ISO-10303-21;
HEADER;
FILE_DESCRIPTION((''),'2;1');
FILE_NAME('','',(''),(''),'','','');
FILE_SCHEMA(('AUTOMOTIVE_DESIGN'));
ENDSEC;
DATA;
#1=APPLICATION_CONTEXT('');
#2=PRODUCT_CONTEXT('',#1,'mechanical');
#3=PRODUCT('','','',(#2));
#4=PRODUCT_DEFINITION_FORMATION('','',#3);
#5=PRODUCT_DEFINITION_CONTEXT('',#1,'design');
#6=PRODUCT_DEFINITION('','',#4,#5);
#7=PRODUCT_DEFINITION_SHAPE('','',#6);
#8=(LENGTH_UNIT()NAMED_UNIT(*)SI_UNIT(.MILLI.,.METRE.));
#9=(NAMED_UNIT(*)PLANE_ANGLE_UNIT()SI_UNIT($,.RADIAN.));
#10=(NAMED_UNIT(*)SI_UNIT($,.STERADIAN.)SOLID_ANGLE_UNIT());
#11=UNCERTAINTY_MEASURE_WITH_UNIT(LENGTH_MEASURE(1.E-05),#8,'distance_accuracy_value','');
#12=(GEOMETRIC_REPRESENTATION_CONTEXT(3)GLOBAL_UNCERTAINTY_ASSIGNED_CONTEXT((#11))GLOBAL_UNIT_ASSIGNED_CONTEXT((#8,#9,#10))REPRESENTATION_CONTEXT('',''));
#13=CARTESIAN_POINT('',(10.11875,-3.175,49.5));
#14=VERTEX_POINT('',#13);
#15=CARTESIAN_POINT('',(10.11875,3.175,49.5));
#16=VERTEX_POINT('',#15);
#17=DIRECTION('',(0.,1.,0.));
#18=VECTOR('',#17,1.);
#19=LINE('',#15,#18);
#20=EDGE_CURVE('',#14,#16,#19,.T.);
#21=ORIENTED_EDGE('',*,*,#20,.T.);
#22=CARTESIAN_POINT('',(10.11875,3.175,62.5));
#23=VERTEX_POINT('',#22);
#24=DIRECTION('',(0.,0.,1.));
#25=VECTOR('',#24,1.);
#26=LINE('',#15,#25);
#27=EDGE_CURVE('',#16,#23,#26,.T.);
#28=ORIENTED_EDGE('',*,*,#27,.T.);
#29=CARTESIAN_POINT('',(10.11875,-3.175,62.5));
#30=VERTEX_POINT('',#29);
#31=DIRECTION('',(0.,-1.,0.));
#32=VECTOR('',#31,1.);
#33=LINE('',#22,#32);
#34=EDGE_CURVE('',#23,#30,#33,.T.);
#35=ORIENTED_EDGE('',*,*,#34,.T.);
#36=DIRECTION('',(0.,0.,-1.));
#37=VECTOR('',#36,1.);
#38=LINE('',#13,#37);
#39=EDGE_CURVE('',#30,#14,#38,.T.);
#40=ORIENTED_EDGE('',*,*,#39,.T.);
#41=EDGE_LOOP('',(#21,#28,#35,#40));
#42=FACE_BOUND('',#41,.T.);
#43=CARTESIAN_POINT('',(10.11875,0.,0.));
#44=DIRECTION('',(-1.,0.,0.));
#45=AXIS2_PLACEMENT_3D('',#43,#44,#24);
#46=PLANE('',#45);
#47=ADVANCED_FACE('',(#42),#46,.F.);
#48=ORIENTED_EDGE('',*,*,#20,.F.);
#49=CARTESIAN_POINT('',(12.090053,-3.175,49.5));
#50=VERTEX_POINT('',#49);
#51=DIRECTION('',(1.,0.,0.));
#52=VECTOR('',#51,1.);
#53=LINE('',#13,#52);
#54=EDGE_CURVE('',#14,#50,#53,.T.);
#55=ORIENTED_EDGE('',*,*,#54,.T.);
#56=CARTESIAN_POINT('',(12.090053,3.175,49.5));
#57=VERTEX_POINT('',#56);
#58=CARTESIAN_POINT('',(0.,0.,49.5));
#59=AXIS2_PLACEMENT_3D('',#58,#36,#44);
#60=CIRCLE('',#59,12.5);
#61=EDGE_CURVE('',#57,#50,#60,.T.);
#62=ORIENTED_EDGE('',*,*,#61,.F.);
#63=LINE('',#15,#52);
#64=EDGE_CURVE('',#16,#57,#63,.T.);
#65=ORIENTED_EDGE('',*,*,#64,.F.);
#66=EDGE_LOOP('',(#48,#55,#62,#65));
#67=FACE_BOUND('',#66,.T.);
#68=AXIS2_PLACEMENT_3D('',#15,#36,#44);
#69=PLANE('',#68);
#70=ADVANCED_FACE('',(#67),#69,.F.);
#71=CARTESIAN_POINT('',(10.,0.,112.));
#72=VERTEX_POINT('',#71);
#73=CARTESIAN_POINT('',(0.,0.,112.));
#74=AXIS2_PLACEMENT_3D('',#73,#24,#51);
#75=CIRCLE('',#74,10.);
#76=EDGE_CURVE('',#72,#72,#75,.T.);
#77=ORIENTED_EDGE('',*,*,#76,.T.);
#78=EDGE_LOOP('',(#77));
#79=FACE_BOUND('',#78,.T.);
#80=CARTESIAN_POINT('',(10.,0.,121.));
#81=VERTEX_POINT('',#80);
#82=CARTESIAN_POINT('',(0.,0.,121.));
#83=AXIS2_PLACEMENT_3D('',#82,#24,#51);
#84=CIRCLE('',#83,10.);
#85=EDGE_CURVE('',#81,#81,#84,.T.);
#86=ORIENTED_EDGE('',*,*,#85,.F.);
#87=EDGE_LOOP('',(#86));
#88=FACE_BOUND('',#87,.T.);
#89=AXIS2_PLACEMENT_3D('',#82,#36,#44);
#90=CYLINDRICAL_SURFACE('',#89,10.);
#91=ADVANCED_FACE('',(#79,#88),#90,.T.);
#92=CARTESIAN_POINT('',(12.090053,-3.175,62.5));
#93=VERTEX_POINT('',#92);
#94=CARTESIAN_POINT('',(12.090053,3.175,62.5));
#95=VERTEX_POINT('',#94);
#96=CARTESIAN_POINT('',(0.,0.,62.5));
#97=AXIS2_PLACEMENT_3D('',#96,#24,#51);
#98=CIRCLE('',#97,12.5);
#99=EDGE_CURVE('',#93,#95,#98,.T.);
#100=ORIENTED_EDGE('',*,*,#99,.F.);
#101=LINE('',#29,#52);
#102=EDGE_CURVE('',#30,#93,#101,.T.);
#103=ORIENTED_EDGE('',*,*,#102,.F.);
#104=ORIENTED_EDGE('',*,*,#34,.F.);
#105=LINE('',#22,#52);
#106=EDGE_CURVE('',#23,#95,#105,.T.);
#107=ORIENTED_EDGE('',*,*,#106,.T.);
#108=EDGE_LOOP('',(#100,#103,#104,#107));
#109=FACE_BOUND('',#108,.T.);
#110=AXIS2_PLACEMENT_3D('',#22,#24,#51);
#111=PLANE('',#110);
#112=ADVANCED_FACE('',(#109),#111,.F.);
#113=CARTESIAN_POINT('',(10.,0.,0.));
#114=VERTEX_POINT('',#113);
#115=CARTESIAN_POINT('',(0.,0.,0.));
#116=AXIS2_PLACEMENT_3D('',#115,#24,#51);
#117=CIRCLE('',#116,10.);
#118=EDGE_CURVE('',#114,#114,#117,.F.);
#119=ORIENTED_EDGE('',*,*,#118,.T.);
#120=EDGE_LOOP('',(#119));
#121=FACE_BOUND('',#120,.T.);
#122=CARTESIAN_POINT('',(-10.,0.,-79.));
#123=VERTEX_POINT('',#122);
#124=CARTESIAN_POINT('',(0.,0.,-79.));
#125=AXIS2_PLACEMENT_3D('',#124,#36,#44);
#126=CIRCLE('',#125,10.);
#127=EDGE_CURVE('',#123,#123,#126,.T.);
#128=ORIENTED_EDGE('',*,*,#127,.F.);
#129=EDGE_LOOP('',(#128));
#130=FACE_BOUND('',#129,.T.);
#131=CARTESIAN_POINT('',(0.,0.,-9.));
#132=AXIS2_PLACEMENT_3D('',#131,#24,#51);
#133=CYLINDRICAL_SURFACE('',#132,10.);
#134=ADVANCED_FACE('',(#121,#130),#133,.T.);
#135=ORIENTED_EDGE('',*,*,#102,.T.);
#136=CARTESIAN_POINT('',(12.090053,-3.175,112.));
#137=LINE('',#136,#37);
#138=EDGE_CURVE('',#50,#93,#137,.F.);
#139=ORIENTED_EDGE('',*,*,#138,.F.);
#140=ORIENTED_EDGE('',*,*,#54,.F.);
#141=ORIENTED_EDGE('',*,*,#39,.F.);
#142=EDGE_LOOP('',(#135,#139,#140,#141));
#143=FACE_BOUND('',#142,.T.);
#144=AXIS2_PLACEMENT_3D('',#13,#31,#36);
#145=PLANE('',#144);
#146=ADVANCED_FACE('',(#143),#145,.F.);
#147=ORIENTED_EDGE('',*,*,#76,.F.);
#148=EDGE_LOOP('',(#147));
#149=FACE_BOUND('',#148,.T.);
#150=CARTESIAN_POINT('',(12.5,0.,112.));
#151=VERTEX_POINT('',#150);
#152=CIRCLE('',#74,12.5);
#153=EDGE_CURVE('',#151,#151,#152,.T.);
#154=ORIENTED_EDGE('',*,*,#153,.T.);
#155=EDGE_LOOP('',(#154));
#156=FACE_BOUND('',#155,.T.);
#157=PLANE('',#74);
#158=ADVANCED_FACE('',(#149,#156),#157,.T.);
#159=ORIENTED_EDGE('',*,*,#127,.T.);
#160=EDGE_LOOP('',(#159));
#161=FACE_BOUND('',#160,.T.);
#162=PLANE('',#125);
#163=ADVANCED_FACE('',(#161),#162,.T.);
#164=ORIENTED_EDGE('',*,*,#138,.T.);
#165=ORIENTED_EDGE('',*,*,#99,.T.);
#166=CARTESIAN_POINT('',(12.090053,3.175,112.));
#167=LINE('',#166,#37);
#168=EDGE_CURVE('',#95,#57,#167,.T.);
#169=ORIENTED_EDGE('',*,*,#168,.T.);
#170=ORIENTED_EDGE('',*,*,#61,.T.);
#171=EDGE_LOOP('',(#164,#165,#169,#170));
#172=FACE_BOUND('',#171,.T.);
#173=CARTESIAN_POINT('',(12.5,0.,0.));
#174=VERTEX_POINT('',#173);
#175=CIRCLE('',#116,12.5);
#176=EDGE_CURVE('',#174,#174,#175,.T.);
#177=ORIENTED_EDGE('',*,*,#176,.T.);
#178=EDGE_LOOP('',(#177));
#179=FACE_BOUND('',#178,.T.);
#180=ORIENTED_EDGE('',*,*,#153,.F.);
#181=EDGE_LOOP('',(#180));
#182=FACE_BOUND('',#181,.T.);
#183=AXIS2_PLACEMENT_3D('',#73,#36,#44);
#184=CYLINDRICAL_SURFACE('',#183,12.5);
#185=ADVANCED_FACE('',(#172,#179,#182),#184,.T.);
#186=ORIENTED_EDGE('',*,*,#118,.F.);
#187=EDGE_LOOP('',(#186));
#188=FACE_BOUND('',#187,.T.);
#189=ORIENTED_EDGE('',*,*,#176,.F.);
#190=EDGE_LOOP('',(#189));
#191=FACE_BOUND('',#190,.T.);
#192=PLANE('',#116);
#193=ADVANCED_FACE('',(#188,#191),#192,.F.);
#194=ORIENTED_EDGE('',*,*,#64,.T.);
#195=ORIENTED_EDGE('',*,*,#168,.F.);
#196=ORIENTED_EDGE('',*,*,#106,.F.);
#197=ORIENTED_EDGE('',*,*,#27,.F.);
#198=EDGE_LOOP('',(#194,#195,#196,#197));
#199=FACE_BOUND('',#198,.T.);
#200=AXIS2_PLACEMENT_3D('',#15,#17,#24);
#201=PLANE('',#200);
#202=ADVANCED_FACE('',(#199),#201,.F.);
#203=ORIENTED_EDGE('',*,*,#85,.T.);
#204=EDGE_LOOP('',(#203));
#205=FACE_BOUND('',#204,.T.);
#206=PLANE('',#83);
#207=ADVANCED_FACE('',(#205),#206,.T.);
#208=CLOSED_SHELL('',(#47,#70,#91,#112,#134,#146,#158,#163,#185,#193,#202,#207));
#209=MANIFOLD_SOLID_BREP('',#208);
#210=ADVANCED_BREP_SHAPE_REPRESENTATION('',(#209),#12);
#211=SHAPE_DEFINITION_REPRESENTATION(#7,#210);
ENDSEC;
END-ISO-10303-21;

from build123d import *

# Parameters (mm, degrees)
SKETCH1_R           = 12.5
BOSS_EXTRUDE1_DEPTH = 112
SKETCH2_R           = 10
BOSS_EXTRUDE2_DEPTH = 9
BOSS_EXTRUDE3_START = 9
SKETCH3_R           = 10
BOSS_EXTRUDE3_DEPTH = 9
SKETCH4_W           = 13
SKETCH4_H           = 6.35
CUT_EXTRUDE1_DEPTH  = 2.38125
BOSS_EXTRUDE5_START = 70
SKETCH6_R           = 10
BOSS_EXTRUDE5_DEPTH = 70


with BuildPart() as part:
    # Sketch1 → Boss-Extrude1 (new body)
    with BuildSketch(Plane.XY):
        Circle(SKETCH1_R)
    extrude(amount=BOSS_EXTRUDE1_DEPTH)

    # Sketch2 → Boss-Extrude2 (add)
    with BuildSketch(Plane.XY.offset(112)):
        Circle(SKETCH2_R)
    extrude(amount=BOSS_EXTRUDE2_DEPTH)

    # Sketch3 → Boss-Extrude3 (add)
    with BuildSketch(Plane(origin=(0, 0, 0), x_dir=(-1, 0, 0), z_dir=(0, 0, -1)).offset(BOSS_EXTRUDE3_START)):
        with Locations(Location((0, 0, 0), (0, 0, 180))):
            Circle(SKETCH3_R)
    extrude(amount=-BOSS_EXTRUDE3_DEPTH)

    # Sketch4 → Cut-Extrude1 (cut)
    with BuildSketch(Plane(origin=(12.5, 0, 0), x_dir=(0, 0, -1), z_dir=(1, 0, 0))):
        with Locations((-56, 0)):
            Rectangle(SKETCH4_W, SKETCH4_H)
    extrude(amount=-CUT_EXTRUDE1_DEPTH, mode=Mode.SUBTRACT)

    # Sketch6 → Boss-Extrude5 (add)
    with BuildSketch(Plane(origin=(0, 0, -9), x_dir=(-1, 0, 0), z_dir=(0, 0, -1)).offset(BOSS_EXTRUDE5_START)):
        with Locations(Location((0, 0, 0), (0, 0, 180))):
            Circle(SKETCH6_R)
    extrude(amount=-BOSS_EXTRUDE5_DEPTH)


solid = part.part
